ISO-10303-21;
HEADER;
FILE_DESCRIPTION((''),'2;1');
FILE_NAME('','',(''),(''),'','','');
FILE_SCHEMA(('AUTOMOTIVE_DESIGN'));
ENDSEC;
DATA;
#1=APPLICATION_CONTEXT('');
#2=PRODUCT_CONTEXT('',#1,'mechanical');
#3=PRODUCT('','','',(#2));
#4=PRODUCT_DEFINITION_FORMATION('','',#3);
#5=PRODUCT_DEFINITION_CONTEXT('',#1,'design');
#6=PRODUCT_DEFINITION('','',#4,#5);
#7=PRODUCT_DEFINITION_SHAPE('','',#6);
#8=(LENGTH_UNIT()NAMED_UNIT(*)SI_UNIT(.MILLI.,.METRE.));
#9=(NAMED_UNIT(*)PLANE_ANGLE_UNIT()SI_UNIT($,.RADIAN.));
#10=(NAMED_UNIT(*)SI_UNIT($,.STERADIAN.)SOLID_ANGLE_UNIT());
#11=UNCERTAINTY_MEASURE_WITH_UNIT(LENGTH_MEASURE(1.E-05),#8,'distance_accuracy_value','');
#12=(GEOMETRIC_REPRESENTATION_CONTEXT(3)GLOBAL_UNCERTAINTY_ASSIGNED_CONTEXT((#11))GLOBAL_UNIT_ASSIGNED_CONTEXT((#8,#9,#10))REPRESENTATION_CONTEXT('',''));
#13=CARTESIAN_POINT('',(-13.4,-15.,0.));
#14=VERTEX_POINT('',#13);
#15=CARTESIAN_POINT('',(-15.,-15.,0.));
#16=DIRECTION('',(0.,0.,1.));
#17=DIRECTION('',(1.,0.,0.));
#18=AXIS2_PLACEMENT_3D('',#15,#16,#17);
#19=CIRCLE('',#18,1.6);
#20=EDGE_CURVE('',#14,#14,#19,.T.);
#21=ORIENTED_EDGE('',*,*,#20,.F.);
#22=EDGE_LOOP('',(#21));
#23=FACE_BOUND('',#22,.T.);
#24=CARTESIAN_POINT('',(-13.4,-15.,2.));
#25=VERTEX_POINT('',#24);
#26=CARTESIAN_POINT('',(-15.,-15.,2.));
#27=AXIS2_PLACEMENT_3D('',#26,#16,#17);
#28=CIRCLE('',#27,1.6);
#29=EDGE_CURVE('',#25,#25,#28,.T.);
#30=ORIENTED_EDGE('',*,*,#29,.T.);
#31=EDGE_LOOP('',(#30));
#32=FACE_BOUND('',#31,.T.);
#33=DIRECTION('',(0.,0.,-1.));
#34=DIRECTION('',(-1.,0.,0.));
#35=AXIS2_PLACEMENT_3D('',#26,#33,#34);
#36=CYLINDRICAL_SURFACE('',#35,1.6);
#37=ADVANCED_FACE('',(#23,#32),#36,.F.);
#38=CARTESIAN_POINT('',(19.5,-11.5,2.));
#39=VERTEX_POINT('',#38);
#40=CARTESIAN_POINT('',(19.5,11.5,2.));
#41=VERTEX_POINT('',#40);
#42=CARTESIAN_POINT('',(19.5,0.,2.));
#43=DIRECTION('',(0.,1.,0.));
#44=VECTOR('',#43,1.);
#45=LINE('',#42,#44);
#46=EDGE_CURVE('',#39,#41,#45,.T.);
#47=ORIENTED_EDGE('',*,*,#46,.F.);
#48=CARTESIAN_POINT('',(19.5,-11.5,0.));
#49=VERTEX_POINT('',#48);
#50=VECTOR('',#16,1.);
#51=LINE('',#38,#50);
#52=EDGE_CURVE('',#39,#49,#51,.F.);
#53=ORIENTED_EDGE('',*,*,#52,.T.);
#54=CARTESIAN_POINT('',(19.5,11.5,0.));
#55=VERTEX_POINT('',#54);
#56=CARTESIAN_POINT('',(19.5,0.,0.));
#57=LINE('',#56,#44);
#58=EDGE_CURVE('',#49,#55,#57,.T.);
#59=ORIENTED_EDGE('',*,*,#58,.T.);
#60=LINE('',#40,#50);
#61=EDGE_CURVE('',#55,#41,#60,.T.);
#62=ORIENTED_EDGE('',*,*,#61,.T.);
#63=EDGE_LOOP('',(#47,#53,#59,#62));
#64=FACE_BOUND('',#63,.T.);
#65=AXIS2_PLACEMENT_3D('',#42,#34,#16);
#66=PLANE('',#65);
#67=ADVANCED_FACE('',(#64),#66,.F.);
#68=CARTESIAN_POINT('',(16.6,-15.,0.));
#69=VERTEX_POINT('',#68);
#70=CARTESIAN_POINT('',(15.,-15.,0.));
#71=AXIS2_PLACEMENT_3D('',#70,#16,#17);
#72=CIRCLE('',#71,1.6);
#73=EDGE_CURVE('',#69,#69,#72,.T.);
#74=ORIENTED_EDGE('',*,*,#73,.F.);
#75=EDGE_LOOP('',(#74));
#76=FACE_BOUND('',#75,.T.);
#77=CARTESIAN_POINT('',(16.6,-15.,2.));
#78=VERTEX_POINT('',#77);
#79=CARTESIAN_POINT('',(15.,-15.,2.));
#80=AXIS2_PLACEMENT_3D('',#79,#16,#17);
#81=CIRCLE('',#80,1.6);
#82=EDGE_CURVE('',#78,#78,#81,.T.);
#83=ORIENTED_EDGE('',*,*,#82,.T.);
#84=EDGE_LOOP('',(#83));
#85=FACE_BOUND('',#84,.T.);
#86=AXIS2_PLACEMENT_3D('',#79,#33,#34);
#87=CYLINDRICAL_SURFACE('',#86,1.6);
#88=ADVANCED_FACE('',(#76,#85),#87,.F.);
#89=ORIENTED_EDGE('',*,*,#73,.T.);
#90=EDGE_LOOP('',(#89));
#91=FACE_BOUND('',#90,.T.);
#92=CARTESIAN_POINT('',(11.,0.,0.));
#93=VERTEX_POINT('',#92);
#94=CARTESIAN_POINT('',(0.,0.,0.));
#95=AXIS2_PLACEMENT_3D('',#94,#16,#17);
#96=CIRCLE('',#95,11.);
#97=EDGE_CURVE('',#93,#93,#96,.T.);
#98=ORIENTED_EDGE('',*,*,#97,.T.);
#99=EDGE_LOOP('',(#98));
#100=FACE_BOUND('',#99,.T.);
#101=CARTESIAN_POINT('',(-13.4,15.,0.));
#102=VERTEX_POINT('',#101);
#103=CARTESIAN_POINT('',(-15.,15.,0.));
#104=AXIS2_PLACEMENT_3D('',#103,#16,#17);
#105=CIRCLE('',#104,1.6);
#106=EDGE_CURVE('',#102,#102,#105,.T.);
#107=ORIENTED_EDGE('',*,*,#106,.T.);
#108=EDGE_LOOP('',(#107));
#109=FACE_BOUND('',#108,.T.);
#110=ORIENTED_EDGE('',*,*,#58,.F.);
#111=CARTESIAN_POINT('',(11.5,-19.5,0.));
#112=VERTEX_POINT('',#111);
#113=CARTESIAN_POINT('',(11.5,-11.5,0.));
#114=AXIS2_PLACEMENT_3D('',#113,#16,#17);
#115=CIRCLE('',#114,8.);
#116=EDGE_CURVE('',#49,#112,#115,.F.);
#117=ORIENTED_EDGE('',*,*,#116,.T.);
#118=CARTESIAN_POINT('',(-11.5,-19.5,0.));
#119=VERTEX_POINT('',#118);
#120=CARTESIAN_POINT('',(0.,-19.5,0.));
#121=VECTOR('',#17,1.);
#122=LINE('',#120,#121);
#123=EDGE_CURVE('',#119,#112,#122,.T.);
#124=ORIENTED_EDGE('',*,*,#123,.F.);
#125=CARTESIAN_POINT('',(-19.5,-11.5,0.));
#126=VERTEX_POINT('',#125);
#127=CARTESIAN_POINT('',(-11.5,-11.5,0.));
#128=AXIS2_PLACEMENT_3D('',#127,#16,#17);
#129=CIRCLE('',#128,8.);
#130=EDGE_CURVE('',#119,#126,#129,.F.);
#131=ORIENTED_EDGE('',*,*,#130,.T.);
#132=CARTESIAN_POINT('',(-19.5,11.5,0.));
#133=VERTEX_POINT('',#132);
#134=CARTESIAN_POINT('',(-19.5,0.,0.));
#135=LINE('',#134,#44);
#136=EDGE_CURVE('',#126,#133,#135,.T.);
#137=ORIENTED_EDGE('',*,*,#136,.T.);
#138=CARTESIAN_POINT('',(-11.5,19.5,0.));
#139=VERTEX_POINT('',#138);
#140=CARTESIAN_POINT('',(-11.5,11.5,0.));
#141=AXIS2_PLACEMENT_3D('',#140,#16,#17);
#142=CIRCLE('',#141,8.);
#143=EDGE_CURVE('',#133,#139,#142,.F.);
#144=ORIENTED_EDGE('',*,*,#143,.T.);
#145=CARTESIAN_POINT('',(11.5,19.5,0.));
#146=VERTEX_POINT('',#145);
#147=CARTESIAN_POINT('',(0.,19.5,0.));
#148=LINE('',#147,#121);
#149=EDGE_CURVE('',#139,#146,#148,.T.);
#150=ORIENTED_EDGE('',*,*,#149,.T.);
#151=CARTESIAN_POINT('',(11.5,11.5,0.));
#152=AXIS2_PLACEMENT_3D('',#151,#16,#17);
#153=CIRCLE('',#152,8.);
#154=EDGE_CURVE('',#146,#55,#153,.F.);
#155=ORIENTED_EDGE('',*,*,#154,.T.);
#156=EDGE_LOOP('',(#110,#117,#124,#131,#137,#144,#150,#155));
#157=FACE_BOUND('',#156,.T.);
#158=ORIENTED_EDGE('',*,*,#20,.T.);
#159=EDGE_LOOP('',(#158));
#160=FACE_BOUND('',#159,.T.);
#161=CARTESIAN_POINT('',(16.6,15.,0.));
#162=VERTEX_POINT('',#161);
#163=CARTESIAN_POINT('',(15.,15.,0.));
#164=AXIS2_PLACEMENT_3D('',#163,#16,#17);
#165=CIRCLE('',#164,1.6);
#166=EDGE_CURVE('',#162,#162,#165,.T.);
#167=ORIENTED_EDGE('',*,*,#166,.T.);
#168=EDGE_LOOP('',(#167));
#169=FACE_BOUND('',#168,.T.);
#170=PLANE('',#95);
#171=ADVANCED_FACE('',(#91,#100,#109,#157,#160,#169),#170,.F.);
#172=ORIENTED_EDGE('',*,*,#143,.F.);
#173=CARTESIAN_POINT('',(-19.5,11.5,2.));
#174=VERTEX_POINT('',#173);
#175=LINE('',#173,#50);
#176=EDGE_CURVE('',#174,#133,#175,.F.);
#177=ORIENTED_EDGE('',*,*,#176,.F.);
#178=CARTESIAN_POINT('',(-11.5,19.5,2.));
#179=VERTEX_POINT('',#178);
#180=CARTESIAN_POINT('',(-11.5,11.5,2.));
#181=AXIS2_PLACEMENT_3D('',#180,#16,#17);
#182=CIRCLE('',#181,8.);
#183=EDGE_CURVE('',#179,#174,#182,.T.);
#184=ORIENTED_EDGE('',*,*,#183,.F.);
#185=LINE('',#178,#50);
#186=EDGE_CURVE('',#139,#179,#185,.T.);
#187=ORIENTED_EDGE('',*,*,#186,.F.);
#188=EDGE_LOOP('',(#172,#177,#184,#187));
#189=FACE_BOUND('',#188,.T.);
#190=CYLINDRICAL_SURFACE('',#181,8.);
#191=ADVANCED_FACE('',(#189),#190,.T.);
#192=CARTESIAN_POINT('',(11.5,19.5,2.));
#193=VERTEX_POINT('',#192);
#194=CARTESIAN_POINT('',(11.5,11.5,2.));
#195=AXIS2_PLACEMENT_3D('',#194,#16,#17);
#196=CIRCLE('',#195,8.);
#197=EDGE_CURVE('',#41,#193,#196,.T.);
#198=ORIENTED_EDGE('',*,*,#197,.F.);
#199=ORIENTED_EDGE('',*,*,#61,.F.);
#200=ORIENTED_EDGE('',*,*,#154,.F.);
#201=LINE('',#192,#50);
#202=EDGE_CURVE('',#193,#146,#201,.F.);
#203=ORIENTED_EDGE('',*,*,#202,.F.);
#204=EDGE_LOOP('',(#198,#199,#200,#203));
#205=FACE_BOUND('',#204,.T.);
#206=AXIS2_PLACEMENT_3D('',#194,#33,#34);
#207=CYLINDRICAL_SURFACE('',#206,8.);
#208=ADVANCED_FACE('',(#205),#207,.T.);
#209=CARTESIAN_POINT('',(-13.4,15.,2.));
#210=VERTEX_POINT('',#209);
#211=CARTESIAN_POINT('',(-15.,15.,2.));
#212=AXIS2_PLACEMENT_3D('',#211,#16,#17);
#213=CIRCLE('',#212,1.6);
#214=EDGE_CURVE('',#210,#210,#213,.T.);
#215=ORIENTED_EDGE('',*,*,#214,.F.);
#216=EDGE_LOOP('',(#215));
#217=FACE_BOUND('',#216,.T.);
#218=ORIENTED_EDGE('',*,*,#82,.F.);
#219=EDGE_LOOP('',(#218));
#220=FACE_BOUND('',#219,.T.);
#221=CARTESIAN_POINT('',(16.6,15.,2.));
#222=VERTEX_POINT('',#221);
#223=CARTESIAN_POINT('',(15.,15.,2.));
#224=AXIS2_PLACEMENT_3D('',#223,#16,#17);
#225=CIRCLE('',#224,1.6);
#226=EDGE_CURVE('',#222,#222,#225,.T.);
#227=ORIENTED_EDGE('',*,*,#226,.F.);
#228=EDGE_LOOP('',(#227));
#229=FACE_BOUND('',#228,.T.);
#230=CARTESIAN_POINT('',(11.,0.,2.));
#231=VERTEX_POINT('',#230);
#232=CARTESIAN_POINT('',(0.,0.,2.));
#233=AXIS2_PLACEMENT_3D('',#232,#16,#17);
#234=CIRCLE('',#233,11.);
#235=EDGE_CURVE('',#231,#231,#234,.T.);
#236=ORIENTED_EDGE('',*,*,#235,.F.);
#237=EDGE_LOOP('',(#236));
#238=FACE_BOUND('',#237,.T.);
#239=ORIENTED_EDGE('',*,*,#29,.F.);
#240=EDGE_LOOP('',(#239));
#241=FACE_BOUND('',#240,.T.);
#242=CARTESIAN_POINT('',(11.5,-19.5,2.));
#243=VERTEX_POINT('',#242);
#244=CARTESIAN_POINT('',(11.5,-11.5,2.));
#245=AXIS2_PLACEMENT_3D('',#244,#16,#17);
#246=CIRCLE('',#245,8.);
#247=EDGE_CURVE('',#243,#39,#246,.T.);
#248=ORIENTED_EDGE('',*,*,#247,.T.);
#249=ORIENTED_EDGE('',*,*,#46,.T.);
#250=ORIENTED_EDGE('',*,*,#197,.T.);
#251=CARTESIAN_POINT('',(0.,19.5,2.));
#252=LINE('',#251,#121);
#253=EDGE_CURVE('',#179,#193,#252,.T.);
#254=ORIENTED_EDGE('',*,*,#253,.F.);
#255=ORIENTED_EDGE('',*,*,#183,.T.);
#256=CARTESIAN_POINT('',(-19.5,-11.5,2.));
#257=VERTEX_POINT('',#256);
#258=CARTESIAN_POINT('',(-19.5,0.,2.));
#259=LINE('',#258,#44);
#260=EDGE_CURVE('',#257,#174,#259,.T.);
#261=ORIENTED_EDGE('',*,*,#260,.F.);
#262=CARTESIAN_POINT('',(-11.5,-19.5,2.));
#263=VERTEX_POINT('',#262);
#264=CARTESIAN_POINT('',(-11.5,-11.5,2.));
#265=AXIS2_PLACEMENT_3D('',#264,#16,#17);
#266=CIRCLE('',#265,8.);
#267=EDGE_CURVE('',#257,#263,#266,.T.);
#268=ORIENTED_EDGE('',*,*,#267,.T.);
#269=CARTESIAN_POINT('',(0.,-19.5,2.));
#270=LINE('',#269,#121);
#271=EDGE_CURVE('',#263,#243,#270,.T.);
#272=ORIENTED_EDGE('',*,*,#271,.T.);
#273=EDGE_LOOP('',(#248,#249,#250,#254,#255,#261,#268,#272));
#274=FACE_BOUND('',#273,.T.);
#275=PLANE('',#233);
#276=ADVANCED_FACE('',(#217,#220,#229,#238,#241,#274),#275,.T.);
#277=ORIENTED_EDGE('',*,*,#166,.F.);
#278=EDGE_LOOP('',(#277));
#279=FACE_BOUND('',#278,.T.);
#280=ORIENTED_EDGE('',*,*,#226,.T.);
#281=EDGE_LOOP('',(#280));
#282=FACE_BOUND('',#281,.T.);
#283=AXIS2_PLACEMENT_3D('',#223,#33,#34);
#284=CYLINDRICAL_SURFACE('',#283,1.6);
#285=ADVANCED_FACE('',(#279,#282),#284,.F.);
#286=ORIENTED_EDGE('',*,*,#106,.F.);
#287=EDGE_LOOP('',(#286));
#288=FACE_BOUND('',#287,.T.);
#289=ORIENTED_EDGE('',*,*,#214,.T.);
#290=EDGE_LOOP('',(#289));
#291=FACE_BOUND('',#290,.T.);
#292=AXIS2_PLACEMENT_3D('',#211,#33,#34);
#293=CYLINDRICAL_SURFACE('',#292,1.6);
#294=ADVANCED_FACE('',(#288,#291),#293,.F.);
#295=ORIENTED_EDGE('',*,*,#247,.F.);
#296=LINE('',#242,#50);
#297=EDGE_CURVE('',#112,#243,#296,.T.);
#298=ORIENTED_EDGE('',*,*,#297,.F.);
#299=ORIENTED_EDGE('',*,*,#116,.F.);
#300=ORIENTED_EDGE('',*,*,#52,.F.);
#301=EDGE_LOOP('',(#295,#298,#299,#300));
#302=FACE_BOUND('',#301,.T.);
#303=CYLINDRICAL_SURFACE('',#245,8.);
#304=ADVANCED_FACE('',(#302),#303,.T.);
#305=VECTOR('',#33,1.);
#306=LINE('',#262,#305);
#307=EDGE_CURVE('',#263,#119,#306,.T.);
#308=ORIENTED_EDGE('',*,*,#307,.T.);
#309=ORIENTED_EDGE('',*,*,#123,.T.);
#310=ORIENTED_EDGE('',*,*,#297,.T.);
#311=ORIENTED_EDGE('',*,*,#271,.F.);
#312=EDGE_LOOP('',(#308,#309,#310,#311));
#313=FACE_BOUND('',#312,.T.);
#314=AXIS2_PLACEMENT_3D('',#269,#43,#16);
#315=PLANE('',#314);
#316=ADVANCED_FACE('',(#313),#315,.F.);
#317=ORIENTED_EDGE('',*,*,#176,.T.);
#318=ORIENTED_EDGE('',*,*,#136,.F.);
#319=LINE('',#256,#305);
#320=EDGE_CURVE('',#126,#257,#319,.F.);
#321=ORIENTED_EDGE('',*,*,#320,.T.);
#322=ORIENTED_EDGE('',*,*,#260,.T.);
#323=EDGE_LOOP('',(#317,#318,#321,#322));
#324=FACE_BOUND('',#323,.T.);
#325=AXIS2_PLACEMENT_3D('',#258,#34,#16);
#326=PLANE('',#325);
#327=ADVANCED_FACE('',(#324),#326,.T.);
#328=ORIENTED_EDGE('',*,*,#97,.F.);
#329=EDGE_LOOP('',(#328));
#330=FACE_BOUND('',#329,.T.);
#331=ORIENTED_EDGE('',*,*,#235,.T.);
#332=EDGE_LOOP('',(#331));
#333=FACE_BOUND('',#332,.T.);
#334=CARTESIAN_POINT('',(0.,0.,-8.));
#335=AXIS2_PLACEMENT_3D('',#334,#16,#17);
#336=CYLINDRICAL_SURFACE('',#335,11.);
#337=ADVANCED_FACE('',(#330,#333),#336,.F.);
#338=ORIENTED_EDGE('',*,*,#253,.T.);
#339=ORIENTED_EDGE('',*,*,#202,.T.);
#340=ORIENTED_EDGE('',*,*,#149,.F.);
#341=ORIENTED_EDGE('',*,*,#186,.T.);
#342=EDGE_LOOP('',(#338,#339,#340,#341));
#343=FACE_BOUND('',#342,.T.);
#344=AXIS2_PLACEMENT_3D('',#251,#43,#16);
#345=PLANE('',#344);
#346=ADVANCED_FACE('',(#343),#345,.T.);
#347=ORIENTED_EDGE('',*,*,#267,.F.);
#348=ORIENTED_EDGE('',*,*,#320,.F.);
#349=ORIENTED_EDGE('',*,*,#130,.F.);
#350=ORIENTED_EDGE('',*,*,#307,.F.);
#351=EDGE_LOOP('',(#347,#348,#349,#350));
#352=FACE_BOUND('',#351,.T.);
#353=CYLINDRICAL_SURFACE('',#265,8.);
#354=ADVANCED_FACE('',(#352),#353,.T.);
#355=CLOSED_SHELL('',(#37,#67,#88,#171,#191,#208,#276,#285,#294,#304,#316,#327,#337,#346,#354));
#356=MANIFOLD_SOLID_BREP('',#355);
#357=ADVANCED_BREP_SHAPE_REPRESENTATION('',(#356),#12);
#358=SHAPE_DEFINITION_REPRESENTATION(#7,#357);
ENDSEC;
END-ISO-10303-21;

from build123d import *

# Parameters (mm, degrees)
SKETCH_1_R          = 1.6
SKETCH_1_R_2        = 5.5
EXTRUDE_2_DEPTH     = 2
FILLET_6_R          = 8
FILLET_7_R          = 8
FILLET_8_R          = 8
FILLET_9_R          = 8
SKETCH_2_R          = 11
CUT_EXTRUDE_1_DEPTH = 10


with BuildPart() as part:
    # 草图1 → 凸台-拉伸2 (new body)
    # profile 1 of 2: a face of its own
    with BuildSketch(Plane.XY):
        with BuildLine():
            Line((-16.6, 15), (-19.5, 15))
            Line((-19.5, 15), (-19.5, -19.5))
            Line((-19.5, -19.5), (19.5, -19.5))
            Line((19.5, -19.5), (19.5, 19.5))
            Line((19.5, 19.5), (-15, 19.5))
            Line((-15, 19.5), (-15, 16.6))
            ThreePointArc((-15, 16.6), (-13.86862915, 16.13137085), (-13.4, 15))
            ThreePointArc((-13.4, 15), (-15, 13.4), (-16.6, 15))
        make_face()
        with Locations((-15, -15)):
            Circle(SKETCH_1_R, mode=Mode.SUBTRACT)
        with Locations((15, -15)):
            Circle(SKETCH_1_R, mode=Mode.SUBTRACT)
        Circle(SKETCH_1_R_2, mode=Mode.SUBTRACT)
        with Locations((15, 15)):
            Circle(SKETCH_1_R, mode=Mode.SUBTRACT)
    # profile 2 of 2: a face of its own
    with BuildSketch(Plane.XY):
        with BuildLine():
            Line((-19.5, 19.5), (-19.5, 15))
            Line((-19.5, 15), (-16.6, 15))
            ThreePointArc((-16.6, 15), (-16.13137085, 16.13137085), (-15, 16.6))
            Line((-15, 16.6), (-15, 19.5))
            Line((-15, 19.5), (-19.5, 19.5))
        make_face()
    extrude(amount=EXTRUDE_2_DEPTH)

    # 圆角6
    fillet_6_edges = [part.edges().sort_by_distance(p)[0] for p in [
        (-19.5, 19.5, 1),
    ]]
    fillet(fillet_6_edges, radius=FILLET_6_R)

    # 圆角7
    fillet_7_edges = [part.edges().sort_by_distance(p)[0] for p in [
        (19.5, 19.5, 1),
    ]]
    fillet(fillet_7_edges, radius=FILLET_7_R)

    # 圆角8
    fillet_8_edges = [part.edges().sort_by_distance(p)[0] for p in [
        (-19.5, -19.5, 1),
    ]]
    fillet(fillet_8_edges, radius=FILLET_8_R)

    # 圆角9
    fillet_9_edges = [part.edges().sort_by_distance(p)[0] for p in [
        (19.5, -19.5, 1),
    ]]
    fillet(fillet_9_edges, radius=FILLET_9_R)

    # 草图2 → 切除-拉伸1 (cut)
    with BuildSketch(Plane.XY.offset(2)):
        Circle(SKETCH_2_R)
    extrude(amount=-CUT_EXTRUDE_1_DEPTH, mode=Mode.SUBTRACT)


solid = part.part
